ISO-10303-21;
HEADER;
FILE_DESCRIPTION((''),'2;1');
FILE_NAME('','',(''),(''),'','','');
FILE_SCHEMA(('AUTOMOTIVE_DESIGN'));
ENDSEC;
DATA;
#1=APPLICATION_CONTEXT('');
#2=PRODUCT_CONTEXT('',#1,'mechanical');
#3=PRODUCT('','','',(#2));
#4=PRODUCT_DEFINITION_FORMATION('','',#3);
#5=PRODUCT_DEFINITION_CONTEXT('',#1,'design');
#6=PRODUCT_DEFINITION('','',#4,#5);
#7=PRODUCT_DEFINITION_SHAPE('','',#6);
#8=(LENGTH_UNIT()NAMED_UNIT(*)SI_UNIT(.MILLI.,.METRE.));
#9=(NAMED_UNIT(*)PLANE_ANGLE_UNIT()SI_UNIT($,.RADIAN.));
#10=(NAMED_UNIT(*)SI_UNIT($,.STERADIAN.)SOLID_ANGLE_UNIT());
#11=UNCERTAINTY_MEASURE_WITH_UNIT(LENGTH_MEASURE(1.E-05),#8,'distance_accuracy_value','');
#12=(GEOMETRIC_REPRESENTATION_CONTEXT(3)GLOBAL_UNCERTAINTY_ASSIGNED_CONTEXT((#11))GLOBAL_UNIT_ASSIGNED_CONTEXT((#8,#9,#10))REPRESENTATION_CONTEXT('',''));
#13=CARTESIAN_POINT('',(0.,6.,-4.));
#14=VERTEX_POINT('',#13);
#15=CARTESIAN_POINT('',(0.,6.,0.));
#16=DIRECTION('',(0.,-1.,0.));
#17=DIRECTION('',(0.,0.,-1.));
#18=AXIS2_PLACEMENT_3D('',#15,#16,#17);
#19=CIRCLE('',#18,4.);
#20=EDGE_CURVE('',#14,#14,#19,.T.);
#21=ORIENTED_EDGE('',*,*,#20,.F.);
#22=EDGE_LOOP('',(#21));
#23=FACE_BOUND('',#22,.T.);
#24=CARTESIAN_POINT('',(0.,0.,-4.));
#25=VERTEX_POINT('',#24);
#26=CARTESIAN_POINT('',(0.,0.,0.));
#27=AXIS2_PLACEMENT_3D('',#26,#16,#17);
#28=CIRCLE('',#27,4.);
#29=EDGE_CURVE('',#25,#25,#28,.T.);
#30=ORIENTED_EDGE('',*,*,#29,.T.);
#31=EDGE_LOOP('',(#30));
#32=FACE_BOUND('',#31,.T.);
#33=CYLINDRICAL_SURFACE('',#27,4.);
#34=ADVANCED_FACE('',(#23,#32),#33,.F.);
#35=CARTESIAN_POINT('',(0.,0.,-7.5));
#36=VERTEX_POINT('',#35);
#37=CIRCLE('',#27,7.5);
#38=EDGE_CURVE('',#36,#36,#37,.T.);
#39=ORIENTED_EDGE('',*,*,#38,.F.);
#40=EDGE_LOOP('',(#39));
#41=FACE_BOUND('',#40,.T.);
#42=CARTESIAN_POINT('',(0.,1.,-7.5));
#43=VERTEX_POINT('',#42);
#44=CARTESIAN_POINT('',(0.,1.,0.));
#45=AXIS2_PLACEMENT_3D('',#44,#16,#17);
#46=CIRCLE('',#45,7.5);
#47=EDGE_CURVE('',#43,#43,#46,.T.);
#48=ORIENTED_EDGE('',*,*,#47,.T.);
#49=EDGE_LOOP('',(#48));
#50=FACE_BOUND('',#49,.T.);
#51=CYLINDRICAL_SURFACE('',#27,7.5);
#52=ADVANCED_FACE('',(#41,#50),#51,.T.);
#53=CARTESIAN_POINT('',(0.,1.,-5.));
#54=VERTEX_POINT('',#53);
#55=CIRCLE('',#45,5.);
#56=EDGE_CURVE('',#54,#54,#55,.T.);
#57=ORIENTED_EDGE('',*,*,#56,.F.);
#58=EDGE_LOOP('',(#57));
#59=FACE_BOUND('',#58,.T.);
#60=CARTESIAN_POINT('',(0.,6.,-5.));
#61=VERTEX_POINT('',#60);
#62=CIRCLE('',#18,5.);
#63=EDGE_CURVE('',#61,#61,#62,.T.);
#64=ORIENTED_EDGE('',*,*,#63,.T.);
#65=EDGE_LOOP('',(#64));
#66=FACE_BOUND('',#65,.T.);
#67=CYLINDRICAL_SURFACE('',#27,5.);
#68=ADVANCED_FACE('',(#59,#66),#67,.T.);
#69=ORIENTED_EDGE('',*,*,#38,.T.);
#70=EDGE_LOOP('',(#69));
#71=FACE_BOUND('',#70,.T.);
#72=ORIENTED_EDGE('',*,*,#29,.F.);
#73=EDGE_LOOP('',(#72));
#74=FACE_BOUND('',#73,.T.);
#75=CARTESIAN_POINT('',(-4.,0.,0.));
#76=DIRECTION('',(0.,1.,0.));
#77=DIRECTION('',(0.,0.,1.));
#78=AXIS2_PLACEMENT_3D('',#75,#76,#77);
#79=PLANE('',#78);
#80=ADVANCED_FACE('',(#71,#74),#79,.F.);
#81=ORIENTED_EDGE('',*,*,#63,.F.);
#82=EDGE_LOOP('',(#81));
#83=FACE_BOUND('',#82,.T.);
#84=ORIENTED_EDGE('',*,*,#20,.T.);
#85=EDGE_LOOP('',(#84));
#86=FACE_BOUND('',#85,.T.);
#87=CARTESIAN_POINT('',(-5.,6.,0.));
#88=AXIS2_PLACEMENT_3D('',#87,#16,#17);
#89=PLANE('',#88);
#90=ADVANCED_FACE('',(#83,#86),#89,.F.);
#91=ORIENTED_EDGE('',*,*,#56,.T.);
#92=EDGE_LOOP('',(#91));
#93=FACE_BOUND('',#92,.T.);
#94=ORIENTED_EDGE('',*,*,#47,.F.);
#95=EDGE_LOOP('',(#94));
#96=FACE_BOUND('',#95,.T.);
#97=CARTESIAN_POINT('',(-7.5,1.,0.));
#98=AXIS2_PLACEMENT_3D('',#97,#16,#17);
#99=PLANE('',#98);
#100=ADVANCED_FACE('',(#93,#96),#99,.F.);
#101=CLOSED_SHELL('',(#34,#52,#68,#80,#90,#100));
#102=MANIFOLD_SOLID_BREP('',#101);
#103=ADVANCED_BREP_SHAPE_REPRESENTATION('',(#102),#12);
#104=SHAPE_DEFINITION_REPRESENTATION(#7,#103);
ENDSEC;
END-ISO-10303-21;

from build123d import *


with BuildPart() as part:
    # Croquis1 → Revolución1 (revolve)
    with BuildSketch(Plane.XY, mode=Mode.PRIVATE) as revoluci_n1_sk:
        Polygon((-4, 6), (-4, 0), (-7.5, 0), (-7.5, 1), (-5, 1), (-5, 6), align=None)
    revolve(revoluci_n1_sk.sketch.rotate(Axis((0, 0, 0), (0, 1, 0)), 270), axis=Axis((0, 0, 0), (0, 1, 0)))


solid = part.part
